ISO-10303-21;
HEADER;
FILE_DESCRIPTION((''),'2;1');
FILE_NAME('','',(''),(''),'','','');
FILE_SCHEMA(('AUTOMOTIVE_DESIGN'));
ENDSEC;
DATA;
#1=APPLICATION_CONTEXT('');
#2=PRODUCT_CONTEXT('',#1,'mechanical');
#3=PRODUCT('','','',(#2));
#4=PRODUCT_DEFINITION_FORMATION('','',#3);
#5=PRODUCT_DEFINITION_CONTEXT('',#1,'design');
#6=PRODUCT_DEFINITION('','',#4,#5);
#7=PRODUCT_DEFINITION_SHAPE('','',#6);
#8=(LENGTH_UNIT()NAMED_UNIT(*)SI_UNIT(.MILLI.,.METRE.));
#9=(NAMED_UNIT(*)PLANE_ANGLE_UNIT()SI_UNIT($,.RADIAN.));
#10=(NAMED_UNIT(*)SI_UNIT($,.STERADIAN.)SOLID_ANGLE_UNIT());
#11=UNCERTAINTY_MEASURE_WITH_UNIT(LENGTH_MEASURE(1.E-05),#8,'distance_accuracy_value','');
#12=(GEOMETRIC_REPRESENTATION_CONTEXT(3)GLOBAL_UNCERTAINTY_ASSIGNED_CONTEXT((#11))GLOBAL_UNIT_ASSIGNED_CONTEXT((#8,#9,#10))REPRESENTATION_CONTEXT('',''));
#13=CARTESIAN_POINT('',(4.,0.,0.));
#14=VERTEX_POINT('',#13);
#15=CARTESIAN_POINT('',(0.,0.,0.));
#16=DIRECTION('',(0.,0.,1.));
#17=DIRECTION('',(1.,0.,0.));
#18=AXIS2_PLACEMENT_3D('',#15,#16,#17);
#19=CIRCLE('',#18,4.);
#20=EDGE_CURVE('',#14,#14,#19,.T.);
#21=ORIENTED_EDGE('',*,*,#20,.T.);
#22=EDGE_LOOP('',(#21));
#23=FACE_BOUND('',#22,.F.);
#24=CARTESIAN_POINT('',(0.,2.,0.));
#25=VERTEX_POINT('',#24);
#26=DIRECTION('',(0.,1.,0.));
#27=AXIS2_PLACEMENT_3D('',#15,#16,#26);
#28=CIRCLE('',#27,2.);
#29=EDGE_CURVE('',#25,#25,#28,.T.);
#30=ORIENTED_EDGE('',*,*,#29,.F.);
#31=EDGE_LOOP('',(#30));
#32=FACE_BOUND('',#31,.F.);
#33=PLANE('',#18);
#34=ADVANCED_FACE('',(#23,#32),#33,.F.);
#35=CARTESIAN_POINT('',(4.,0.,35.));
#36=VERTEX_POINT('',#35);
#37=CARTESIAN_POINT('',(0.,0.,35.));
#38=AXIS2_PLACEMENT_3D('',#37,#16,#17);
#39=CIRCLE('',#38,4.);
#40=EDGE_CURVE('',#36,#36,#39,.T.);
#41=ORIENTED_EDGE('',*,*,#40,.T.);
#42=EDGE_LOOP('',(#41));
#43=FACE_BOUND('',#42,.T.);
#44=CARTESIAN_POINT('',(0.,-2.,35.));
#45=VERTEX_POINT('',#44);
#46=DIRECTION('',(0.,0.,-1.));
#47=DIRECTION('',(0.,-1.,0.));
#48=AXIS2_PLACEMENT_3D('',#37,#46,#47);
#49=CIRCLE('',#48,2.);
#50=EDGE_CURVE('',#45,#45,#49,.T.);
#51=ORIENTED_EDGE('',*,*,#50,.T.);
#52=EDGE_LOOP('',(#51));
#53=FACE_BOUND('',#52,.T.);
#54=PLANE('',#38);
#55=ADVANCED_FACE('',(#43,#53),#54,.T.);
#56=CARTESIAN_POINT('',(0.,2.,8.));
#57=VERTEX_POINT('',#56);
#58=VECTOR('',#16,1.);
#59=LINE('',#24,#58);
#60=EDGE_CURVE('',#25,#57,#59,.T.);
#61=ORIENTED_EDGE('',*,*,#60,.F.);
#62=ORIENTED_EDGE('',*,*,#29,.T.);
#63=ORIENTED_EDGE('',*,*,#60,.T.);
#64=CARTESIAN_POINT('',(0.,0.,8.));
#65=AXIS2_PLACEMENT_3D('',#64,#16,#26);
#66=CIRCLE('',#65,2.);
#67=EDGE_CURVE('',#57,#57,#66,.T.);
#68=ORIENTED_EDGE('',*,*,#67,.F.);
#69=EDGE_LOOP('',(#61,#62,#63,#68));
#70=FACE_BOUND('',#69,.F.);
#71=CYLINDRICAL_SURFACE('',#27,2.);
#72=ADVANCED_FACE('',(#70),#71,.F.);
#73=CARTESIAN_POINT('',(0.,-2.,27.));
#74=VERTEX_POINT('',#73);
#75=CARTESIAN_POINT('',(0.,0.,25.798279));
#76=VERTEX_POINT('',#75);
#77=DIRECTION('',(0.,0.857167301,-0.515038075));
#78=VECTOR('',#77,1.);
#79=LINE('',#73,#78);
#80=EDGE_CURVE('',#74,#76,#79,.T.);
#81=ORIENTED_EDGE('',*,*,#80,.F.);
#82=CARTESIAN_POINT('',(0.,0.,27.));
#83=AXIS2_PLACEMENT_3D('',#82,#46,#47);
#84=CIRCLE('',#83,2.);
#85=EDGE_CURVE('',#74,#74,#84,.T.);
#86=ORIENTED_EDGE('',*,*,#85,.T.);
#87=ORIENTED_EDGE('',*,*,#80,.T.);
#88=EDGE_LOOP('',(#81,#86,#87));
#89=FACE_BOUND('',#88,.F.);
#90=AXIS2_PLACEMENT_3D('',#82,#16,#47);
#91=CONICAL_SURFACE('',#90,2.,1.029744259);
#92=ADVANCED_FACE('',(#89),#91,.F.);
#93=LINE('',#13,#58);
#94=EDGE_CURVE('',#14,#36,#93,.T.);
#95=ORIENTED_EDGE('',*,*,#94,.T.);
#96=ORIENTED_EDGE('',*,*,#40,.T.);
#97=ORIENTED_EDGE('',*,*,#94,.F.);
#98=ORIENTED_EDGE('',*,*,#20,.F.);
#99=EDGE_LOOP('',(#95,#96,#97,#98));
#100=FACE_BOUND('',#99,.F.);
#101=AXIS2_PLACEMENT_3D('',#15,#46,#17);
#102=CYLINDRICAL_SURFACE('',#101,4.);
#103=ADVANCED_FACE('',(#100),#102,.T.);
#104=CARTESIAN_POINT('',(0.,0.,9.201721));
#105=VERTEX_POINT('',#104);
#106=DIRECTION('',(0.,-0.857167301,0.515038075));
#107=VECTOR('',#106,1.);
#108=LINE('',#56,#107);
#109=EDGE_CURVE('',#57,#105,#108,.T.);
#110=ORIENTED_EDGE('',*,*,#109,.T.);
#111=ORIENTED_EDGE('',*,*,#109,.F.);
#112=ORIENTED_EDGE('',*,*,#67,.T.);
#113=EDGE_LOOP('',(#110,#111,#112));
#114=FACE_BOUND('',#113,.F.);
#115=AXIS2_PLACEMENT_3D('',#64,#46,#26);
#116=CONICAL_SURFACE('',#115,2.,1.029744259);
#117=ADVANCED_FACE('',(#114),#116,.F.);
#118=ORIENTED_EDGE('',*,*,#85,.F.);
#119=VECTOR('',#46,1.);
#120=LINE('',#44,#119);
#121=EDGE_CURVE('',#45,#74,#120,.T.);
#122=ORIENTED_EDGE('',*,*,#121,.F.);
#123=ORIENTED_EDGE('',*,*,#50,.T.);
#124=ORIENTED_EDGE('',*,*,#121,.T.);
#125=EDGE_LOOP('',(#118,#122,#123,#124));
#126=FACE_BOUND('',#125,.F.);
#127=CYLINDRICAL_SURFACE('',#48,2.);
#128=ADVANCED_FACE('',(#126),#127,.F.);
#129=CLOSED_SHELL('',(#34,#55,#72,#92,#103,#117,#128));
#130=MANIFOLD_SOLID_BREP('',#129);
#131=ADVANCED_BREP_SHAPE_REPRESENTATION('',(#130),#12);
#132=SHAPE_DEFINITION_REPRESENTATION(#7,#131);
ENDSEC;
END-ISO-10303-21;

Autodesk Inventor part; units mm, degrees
ref_plane "YZ Plane" through (0, 0, 0) normal (1, 0, 0) x (0, 1, 0)
ref_plane "XZ Plane" through (0, 0, 0) normal (0, 1, 0) x (-1, 0, 0)
ref_plane "XY Plane" through (0, 0, 0) normal (0, 0, 1) x (1, 0, 0)
sketch "スケッチ1" plane through (0, 0, 0) normal (0, 0, 1) x (1, 0, 0)
  circle A0 centre (0, 0) radius 4
  dimension "d0" = 8
extrude "押し出し1" add sketch "スケッチ1" along normal blind 35
hole "穴1" at (0, 0, 0) direction (0, 0, 1) diameter 4 depth 8 tip angle 118
sketch "スケッチ2" plane through (0, 0, 35) normal (0, 0, 1) x (1, 0, 0)
  point P0 (0, 0)
  point P1 (0, 0)
hole "穴2" at (0, 0, 35) direction (0, 0, -1) diameter 4 depth 8 tip angle 118
properties part number "スペーサ　m4-l35" material "アルミニウム 2014-T4"
